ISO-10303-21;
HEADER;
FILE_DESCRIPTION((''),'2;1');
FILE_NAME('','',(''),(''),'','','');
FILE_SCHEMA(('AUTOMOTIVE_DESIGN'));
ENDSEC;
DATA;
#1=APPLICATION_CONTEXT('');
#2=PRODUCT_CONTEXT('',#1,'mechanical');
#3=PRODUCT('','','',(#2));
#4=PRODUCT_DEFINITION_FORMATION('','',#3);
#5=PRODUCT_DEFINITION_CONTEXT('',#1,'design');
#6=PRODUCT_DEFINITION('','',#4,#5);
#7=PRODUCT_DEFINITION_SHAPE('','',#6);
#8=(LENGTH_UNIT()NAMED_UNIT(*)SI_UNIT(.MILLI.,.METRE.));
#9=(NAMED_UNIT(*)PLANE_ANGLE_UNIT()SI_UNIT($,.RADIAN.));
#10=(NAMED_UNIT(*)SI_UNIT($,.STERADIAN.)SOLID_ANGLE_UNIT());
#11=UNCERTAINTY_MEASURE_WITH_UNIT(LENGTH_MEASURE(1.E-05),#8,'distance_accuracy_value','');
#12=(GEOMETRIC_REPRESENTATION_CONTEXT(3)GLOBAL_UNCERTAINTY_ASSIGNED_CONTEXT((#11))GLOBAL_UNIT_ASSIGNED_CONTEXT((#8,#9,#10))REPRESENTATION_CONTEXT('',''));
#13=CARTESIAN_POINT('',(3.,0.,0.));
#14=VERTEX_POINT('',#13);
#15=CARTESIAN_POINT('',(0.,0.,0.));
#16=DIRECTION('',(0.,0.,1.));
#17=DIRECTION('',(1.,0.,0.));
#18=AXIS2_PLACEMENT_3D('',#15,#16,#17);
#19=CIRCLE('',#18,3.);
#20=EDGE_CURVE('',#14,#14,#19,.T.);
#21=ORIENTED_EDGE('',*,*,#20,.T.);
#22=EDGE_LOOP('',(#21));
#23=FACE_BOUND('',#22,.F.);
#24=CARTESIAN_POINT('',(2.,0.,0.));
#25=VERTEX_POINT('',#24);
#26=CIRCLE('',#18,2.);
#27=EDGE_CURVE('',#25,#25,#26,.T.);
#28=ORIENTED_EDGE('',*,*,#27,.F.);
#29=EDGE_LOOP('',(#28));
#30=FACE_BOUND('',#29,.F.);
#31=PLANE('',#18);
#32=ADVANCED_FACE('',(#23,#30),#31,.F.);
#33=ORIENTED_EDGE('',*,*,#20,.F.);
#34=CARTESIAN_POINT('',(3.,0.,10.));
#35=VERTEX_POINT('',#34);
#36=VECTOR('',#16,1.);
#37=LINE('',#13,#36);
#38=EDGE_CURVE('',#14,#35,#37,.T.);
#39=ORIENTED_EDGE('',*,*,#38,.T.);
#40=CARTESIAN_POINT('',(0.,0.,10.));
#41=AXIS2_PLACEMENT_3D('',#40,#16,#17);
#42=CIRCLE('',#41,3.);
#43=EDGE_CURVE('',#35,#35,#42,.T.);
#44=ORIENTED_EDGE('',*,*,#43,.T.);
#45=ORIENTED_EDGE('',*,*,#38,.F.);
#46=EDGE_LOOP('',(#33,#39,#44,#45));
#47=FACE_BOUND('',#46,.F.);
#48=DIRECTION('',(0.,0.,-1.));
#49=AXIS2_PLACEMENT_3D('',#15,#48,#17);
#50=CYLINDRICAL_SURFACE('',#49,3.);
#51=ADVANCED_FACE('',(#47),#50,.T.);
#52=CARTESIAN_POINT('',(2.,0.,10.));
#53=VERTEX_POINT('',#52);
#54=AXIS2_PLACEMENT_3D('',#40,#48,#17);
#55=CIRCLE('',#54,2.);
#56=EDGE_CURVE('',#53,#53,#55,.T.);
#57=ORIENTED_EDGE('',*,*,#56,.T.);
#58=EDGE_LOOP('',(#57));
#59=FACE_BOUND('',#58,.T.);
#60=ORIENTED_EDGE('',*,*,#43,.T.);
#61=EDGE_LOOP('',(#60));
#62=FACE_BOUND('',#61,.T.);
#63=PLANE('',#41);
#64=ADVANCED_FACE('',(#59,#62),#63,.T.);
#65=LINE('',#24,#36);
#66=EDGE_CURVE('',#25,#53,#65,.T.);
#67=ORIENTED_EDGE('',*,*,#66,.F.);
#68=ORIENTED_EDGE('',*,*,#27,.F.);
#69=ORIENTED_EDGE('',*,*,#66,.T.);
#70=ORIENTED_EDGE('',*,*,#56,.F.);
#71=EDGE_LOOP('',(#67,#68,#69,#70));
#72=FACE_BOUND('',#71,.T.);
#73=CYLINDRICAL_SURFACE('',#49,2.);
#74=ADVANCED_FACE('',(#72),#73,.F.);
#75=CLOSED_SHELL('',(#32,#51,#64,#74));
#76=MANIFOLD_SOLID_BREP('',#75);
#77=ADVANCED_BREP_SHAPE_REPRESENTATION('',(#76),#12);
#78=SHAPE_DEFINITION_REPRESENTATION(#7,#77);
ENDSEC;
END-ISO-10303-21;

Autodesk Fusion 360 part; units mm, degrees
sketch "Sketch1" plane through (0, 0, 0) normal (0, 0, 1) x (1, 0, 0)
  circle A0 centre (0, 0) radius 3
  circle A1 centre (0, 0) radius 2
  dimension "d4" = 6
  dimension "d8" = 4
extrude "Extrude1" add sketch "Sketch1" along normal blind 10 contours A0 | A1
extrude "Extrude2" cut sketch "Sketch1" along normal blind 100 contours A1
equation "inner_radius = 2 mm"
equation "outer_radius = 3 mm"
equation "height = 10 mm"
equation "d4 = outer_radius * 2"
equation "extra = 100 mm"
equation "d6 = height"
equation "d8 = inner_radius * 2"
equation "d9 = extra"
